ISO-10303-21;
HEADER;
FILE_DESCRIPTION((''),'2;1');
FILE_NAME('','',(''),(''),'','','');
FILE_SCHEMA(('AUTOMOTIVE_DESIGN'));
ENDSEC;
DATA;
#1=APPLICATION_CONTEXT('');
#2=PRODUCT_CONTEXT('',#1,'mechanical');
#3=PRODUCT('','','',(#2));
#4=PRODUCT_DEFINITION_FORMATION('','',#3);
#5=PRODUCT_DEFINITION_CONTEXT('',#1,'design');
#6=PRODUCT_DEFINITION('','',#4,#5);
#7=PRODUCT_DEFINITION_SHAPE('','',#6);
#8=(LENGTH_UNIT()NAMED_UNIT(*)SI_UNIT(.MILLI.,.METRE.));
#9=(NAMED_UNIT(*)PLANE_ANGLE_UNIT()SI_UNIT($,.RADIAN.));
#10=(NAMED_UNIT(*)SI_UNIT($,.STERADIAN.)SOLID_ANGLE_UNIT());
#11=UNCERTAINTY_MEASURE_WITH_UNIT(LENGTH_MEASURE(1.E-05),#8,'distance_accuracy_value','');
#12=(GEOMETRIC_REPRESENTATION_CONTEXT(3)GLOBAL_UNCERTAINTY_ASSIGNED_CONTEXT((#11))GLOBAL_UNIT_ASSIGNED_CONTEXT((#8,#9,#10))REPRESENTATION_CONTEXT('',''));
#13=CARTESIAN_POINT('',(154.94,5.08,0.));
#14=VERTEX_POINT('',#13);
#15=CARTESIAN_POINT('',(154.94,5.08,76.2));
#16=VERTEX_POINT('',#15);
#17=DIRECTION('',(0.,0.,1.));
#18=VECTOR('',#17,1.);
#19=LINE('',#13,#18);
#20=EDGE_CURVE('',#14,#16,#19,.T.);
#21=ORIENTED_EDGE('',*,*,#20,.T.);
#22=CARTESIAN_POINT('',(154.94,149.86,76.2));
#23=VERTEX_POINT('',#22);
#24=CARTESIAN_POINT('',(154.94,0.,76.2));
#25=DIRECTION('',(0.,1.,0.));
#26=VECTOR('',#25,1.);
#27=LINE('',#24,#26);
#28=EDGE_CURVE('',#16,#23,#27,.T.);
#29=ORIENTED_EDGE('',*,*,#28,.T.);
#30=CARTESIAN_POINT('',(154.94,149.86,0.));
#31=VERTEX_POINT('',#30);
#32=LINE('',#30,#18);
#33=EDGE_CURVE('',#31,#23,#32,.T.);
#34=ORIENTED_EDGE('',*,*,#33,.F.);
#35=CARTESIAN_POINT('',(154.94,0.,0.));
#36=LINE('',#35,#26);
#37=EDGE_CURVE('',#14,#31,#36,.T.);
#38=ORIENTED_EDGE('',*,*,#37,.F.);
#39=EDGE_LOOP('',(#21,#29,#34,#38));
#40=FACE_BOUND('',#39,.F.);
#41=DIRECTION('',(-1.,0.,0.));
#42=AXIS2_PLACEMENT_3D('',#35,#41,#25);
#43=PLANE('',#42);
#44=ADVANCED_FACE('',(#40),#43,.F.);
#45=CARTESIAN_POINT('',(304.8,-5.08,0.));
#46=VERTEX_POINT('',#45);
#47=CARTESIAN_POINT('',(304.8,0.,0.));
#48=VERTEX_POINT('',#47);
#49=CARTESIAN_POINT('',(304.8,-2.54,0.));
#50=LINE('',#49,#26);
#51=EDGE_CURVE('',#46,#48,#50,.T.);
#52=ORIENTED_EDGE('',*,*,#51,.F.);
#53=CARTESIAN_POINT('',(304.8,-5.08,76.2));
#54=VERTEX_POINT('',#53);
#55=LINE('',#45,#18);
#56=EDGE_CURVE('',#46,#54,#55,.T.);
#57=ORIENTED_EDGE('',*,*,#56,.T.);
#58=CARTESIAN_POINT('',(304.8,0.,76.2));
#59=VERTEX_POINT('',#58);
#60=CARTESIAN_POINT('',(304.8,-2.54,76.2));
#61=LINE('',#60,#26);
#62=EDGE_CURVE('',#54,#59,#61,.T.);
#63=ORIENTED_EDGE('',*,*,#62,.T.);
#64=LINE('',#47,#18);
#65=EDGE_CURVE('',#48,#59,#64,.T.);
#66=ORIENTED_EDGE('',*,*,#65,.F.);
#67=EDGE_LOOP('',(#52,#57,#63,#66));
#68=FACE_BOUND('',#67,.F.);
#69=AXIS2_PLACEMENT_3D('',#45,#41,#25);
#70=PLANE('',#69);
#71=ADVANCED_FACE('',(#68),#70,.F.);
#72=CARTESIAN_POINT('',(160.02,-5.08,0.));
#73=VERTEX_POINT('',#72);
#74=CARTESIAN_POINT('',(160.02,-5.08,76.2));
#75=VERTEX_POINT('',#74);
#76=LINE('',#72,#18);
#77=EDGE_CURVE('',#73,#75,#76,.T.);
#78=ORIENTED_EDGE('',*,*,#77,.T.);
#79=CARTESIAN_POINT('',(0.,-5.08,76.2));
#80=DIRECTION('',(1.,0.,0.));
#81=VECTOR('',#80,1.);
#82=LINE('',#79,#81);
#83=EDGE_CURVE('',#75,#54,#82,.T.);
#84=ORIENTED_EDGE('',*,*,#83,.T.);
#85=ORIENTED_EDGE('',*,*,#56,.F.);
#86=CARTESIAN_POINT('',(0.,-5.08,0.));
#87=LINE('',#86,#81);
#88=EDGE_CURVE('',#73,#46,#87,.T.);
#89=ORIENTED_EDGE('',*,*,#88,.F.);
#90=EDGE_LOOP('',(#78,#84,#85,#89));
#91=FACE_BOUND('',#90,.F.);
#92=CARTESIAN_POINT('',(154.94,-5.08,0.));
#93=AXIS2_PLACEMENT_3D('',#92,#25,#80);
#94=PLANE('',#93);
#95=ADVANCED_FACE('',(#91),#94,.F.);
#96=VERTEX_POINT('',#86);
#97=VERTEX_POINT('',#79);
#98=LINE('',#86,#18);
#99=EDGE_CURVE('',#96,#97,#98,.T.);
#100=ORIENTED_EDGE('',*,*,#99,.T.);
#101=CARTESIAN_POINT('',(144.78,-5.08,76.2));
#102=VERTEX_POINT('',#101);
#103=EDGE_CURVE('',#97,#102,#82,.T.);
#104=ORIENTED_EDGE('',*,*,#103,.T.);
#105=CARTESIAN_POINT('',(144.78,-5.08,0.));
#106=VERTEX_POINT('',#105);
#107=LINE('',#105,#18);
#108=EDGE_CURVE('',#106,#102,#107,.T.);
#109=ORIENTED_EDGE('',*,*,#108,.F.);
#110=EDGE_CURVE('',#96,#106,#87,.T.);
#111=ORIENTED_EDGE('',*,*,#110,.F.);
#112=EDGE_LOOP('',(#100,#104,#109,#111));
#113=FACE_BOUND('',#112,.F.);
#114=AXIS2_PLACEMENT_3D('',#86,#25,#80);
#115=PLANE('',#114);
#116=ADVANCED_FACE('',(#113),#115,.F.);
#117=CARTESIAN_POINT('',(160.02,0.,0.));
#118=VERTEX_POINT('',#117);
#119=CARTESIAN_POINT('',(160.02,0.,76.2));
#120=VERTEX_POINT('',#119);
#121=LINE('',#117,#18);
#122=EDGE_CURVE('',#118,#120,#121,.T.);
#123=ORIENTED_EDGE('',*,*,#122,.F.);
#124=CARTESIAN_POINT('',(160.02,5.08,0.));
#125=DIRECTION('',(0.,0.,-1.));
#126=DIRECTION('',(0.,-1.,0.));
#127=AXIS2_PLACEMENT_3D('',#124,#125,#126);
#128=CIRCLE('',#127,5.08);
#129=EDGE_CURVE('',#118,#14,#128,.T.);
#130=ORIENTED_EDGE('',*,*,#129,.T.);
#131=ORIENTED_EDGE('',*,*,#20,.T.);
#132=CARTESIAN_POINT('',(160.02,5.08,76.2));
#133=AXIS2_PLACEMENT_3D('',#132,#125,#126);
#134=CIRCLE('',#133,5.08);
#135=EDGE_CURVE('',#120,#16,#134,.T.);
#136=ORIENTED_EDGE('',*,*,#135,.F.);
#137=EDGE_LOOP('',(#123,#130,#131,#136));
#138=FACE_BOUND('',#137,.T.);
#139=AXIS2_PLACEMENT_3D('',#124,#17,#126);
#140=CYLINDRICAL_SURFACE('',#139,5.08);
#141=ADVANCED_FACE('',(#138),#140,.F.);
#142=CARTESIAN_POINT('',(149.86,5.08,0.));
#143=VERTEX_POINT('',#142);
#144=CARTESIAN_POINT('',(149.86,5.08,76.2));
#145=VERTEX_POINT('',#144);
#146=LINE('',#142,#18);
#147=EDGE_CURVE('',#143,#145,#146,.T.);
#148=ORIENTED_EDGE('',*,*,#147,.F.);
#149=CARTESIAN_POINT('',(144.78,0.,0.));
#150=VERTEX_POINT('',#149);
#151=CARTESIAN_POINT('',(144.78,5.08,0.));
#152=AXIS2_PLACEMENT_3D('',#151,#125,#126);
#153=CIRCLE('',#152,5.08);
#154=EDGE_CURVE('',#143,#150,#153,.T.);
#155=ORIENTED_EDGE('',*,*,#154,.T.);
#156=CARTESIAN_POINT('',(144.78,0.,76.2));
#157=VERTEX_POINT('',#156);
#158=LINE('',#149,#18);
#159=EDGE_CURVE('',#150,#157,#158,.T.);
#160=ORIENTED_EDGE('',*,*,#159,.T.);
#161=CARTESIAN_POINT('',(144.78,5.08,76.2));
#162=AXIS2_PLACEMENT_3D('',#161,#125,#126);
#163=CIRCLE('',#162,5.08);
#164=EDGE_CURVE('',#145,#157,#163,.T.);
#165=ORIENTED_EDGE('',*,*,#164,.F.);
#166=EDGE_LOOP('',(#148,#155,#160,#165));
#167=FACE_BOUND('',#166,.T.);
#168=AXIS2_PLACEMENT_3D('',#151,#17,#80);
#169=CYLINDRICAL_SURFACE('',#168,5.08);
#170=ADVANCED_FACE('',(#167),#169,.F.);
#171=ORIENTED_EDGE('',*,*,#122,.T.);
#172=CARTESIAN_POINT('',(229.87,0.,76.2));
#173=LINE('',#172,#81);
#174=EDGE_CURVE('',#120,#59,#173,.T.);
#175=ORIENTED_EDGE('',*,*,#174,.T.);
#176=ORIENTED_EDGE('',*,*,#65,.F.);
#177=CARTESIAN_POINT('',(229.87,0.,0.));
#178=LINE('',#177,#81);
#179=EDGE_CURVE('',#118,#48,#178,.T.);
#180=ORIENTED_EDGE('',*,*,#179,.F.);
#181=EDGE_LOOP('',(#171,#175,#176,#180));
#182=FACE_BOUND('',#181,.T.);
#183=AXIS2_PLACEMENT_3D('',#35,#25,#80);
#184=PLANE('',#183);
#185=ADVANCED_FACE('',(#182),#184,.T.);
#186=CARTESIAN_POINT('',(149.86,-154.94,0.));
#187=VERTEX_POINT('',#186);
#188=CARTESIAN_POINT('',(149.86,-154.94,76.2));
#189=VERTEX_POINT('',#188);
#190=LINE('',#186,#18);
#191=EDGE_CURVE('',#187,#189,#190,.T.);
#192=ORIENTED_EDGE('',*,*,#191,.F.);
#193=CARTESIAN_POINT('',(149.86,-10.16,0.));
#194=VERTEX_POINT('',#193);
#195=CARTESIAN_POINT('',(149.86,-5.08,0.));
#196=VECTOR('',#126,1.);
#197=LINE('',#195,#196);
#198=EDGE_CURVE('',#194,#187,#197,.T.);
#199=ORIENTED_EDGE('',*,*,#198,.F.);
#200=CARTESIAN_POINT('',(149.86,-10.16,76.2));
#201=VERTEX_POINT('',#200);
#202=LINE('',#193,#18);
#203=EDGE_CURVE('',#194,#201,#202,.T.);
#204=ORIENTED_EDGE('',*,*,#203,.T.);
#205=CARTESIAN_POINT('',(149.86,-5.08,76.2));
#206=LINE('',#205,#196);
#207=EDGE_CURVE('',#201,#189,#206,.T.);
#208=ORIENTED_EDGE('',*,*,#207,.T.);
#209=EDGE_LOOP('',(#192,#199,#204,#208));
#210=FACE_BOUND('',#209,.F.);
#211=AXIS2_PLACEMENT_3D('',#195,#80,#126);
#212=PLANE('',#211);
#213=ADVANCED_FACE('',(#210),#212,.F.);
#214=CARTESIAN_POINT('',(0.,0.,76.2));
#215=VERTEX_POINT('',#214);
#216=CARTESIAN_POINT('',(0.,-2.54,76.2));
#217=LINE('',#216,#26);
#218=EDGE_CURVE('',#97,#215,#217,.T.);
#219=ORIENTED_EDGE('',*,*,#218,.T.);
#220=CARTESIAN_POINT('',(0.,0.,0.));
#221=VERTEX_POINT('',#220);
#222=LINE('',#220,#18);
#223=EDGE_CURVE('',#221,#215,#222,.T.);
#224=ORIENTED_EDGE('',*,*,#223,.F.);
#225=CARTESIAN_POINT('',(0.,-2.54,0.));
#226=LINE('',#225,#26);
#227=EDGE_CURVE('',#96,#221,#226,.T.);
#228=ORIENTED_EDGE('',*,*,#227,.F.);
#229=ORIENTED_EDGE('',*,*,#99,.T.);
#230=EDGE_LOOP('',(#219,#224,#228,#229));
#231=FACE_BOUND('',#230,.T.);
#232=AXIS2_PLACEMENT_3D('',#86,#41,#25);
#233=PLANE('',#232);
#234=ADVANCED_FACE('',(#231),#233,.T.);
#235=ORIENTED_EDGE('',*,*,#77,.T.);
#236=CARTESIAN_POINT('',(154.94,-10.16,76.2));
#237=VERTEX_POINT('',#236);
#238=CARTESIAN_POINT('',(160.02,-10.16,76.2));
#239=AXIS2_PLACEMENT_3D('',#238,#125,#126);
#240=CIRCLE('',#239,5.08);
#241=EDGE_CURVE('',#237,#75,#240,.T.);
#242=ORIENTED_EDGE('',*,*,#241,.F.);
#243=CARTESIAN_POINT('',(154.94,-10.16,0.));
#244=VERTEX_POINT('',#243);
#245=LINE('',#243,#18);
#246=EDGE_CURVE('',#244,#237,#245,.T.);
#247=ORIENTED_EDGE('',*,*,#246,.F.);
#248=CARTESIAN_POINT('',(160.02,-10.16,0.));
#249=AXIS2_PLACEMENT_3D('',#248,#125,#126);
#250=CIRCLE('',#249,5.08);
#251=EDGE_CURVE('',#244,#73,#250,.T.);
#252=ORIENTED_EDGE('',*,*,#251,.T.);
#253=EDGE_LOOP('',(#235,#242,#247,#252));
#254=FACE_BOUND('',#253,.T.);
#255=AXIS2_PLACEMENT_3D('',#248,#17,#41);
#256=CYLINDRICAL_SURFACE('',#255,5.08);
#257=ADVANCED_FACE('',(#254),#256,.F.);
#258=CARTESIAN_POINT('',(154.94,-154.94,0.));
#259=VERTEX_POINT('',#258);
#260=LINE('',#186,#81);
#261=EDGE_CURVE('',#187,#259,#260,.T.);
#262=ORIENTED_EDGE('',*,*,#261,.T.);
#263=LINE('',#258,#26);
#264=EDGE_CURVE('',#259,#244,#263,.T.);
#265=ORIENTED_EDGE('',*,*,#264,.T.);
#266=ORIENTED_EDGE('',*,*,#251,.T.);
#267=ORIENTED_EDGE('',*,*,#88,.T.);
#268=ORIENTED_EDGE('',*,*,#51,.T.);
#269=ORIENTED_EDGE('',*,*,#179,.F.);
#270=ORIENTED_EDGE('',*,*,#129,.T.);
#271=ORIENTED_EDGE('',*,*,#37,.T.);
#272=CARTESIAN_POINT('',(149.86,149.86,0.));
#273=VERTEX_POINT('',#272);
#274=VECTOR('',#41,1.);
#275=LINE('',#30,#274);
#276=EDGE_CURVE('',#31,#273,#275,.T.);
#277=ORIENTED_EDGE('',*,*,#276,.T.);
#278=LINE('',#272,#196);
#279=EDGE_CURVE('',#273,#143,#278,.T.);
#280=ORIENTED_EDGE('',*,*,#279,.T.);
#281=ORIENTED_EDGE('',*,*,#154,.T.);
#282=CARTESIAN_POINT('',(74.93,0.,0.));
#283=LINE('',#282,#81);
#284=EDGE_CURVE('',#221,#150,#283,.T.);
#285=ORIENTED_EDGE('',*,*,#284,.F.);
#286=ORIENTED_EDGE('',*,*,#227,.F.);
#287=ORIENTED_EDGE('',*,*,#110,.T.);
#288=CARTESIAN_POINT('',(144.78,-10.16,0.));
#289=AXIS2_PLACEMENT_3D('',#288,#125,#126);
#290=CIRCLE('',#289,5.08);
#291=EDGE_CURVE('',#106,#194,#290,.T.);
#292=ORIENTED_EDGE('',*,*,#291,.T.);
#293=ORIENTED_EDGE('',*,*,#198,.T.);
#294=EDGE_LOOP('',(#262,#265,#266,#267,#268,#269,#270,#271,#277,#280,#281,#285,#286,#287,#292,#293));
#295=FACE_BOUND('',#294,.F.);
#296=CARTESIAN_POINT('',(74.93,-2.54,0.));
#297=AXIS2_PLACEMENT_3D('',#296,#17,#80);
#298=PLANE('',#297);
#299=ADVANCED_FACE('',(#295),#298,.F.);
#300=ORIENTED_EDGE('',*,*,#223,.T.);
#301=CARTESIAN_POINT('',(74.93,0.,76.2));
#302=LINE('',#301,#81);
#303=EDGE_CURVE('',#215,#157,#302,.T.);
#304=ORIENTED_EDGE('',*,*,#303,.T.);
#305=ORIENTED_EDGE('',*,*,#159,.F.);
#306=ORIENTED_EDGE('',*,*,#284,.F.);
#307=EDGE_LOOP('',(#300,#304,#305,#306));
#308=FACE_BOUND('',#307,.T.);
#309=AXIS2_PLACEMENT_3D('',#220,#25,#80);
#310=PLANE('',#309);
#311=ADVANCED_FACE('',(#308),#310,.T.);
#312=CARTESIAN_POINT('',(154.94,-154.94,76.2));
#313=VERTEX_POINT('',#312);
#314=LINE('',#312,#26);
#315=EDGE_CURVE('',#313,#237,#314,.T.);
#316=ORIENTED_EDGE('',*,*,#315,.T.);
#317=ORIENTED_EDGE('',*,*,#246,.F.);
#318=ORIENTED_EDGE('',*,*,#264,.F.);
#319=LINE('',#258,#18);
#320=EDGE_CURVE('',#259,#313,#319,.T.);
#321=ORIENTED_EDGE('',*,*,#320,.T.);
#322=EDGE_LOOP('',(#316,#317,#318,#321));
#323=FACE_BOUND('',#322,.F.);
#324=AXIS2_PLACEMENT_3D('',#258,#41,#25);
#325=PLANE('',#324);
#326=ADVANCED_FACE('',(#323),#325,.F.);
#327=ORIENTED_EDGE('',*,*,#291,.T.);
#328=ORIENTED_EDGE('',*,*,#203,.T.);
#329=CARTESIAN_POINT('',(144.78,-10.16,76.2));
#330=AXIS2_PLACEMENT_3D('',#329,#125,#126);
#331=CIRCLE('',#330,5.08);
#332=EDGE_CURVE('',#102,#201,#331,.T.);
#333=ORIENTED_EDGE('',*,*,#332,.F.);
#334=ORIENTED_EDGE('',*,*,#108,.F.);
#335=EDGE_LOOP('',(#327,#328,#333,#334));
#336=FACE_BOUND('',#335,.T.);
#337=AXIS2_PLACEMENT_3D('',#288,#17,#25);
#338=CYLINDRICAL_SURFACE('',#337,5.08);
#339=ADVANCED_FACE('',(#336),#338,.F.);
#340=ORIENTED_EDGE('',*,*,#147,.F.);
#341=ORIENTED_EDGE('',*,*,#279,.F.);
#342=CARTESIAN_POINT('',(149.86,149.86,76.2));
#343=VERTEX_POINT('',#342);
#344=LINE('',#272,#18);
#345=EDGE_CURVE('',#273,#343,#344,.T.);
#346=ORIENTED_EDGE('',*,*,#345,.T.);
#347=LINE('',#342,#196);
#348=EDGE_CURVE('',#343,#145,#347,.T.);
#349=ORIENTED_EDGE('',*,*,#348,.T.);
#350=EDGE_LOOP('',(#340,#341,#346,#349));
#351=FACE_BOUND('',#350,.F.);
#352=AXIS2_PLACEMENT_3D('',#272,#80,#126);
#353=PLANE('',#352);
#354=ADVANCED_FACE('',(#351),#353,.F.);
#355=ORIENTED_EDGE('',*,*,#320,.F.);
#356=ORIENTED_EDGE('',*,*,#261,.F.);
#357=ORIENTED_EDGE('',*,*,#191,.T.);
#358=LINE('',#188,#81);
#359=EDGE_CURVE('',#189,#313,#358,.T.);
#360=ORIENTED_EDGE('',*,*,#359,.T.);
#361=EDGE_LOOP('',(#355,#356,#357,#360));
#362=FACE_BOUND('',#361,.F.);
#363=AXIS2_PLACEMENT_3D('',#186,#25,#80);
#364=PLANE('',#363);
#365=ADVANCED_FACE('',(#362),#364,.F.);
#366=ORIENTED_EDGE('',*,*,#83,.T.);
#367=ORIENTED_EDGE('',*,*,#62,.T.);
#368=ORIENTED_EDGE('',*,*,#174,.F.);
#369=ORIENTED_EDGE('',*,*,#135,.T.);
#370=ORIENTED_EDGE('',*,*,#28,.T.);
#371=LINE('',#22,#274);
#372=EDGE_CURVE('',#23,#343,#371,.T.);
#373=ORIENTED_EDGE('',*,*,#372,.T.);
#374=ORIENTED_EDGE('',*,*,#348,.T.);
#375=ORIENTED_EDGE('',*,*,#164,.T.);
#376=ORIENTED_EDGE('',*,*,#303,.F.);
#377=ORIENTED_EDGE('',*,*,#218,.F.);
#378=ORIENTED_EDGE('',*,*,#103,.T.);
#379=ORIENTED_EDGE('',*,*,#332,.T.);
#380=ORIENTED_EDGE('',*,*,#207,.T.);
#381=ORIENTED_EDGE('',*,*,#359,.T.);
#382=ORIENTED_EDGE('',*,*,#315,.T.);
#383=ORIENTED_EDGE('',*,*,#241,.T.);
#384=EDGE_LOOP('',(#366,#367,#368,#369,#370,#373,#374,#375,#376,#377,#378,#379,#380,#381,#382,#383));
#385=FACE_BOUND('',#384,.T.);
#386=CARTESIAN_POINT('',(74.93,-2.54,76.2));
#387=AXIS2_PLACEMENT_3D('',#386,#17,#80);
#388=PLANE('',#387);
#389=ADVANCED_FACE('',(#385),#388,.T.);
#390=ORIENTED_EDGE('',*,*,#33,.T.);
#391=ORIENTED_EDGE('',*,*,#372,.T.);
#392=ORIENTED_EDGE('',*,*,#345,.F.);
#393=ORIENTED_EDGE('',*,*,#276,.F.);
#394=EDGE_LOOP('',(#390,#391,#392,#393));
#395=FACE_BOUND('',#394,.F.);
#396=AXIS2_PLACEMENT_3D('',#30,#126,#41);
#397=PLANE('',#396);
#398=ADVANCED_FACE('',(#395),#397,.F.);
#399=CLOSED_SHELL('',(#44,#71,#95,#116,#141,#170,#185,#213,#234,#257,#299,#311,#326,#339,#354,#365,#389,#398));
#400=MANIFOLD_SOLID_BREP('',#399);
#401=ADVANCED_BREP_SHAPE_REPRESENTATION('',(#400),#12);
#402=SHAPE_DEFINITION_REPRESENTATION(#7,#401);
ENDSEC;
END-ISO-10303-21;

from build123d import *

# Parameters (mm, degrees)
F0_W     = 149.86
F0_H     = 5.08
F0_W_2   = 2.54
F1_DEPTH = 76.2
F2_R     = 5.08


with BuildPart() as f1:
    # F0 (on Top) → F1 (new body)
    with BuildSketch(Plane.XY):
        with Locations((74.93, -2.54)):
            Rectangle(F0_W, F0_H)
        Polygon((149.86, 149.86), (149.86, 0), (152.4, 0), (154.94, 0), (154.94, 149.86), align=None)
        with Locations((229.87, -2.54)):
            Rectangle(F0_W, F0_H)
        with Locations((151.13, -2.54)):
            Rectangle(F0_W_2, F0_H)
        with Locations((153.67, -2.54)):
            Rectangle(F0_W_2, F0_H)
        Polygon((152.4, -5.08), (149.86, -5.08), (149.86, -154.94), (154.94, -154.94), (154.94, -5.08), align=None)
    extrude(amount=F1_DEPTH)

    # F2
    f2_edges = [f1.edges().sort_by_distance(p)[0] for p in [
        (149.86, -5.08, 38.1),
        (154.94, -5.08, 38.1),
        (154.94, 0, 38.1),
        (149.86, 0, 38.1),
    ]]
    fillet(f2_edges, radius=F2_R)


solid = f1.part
